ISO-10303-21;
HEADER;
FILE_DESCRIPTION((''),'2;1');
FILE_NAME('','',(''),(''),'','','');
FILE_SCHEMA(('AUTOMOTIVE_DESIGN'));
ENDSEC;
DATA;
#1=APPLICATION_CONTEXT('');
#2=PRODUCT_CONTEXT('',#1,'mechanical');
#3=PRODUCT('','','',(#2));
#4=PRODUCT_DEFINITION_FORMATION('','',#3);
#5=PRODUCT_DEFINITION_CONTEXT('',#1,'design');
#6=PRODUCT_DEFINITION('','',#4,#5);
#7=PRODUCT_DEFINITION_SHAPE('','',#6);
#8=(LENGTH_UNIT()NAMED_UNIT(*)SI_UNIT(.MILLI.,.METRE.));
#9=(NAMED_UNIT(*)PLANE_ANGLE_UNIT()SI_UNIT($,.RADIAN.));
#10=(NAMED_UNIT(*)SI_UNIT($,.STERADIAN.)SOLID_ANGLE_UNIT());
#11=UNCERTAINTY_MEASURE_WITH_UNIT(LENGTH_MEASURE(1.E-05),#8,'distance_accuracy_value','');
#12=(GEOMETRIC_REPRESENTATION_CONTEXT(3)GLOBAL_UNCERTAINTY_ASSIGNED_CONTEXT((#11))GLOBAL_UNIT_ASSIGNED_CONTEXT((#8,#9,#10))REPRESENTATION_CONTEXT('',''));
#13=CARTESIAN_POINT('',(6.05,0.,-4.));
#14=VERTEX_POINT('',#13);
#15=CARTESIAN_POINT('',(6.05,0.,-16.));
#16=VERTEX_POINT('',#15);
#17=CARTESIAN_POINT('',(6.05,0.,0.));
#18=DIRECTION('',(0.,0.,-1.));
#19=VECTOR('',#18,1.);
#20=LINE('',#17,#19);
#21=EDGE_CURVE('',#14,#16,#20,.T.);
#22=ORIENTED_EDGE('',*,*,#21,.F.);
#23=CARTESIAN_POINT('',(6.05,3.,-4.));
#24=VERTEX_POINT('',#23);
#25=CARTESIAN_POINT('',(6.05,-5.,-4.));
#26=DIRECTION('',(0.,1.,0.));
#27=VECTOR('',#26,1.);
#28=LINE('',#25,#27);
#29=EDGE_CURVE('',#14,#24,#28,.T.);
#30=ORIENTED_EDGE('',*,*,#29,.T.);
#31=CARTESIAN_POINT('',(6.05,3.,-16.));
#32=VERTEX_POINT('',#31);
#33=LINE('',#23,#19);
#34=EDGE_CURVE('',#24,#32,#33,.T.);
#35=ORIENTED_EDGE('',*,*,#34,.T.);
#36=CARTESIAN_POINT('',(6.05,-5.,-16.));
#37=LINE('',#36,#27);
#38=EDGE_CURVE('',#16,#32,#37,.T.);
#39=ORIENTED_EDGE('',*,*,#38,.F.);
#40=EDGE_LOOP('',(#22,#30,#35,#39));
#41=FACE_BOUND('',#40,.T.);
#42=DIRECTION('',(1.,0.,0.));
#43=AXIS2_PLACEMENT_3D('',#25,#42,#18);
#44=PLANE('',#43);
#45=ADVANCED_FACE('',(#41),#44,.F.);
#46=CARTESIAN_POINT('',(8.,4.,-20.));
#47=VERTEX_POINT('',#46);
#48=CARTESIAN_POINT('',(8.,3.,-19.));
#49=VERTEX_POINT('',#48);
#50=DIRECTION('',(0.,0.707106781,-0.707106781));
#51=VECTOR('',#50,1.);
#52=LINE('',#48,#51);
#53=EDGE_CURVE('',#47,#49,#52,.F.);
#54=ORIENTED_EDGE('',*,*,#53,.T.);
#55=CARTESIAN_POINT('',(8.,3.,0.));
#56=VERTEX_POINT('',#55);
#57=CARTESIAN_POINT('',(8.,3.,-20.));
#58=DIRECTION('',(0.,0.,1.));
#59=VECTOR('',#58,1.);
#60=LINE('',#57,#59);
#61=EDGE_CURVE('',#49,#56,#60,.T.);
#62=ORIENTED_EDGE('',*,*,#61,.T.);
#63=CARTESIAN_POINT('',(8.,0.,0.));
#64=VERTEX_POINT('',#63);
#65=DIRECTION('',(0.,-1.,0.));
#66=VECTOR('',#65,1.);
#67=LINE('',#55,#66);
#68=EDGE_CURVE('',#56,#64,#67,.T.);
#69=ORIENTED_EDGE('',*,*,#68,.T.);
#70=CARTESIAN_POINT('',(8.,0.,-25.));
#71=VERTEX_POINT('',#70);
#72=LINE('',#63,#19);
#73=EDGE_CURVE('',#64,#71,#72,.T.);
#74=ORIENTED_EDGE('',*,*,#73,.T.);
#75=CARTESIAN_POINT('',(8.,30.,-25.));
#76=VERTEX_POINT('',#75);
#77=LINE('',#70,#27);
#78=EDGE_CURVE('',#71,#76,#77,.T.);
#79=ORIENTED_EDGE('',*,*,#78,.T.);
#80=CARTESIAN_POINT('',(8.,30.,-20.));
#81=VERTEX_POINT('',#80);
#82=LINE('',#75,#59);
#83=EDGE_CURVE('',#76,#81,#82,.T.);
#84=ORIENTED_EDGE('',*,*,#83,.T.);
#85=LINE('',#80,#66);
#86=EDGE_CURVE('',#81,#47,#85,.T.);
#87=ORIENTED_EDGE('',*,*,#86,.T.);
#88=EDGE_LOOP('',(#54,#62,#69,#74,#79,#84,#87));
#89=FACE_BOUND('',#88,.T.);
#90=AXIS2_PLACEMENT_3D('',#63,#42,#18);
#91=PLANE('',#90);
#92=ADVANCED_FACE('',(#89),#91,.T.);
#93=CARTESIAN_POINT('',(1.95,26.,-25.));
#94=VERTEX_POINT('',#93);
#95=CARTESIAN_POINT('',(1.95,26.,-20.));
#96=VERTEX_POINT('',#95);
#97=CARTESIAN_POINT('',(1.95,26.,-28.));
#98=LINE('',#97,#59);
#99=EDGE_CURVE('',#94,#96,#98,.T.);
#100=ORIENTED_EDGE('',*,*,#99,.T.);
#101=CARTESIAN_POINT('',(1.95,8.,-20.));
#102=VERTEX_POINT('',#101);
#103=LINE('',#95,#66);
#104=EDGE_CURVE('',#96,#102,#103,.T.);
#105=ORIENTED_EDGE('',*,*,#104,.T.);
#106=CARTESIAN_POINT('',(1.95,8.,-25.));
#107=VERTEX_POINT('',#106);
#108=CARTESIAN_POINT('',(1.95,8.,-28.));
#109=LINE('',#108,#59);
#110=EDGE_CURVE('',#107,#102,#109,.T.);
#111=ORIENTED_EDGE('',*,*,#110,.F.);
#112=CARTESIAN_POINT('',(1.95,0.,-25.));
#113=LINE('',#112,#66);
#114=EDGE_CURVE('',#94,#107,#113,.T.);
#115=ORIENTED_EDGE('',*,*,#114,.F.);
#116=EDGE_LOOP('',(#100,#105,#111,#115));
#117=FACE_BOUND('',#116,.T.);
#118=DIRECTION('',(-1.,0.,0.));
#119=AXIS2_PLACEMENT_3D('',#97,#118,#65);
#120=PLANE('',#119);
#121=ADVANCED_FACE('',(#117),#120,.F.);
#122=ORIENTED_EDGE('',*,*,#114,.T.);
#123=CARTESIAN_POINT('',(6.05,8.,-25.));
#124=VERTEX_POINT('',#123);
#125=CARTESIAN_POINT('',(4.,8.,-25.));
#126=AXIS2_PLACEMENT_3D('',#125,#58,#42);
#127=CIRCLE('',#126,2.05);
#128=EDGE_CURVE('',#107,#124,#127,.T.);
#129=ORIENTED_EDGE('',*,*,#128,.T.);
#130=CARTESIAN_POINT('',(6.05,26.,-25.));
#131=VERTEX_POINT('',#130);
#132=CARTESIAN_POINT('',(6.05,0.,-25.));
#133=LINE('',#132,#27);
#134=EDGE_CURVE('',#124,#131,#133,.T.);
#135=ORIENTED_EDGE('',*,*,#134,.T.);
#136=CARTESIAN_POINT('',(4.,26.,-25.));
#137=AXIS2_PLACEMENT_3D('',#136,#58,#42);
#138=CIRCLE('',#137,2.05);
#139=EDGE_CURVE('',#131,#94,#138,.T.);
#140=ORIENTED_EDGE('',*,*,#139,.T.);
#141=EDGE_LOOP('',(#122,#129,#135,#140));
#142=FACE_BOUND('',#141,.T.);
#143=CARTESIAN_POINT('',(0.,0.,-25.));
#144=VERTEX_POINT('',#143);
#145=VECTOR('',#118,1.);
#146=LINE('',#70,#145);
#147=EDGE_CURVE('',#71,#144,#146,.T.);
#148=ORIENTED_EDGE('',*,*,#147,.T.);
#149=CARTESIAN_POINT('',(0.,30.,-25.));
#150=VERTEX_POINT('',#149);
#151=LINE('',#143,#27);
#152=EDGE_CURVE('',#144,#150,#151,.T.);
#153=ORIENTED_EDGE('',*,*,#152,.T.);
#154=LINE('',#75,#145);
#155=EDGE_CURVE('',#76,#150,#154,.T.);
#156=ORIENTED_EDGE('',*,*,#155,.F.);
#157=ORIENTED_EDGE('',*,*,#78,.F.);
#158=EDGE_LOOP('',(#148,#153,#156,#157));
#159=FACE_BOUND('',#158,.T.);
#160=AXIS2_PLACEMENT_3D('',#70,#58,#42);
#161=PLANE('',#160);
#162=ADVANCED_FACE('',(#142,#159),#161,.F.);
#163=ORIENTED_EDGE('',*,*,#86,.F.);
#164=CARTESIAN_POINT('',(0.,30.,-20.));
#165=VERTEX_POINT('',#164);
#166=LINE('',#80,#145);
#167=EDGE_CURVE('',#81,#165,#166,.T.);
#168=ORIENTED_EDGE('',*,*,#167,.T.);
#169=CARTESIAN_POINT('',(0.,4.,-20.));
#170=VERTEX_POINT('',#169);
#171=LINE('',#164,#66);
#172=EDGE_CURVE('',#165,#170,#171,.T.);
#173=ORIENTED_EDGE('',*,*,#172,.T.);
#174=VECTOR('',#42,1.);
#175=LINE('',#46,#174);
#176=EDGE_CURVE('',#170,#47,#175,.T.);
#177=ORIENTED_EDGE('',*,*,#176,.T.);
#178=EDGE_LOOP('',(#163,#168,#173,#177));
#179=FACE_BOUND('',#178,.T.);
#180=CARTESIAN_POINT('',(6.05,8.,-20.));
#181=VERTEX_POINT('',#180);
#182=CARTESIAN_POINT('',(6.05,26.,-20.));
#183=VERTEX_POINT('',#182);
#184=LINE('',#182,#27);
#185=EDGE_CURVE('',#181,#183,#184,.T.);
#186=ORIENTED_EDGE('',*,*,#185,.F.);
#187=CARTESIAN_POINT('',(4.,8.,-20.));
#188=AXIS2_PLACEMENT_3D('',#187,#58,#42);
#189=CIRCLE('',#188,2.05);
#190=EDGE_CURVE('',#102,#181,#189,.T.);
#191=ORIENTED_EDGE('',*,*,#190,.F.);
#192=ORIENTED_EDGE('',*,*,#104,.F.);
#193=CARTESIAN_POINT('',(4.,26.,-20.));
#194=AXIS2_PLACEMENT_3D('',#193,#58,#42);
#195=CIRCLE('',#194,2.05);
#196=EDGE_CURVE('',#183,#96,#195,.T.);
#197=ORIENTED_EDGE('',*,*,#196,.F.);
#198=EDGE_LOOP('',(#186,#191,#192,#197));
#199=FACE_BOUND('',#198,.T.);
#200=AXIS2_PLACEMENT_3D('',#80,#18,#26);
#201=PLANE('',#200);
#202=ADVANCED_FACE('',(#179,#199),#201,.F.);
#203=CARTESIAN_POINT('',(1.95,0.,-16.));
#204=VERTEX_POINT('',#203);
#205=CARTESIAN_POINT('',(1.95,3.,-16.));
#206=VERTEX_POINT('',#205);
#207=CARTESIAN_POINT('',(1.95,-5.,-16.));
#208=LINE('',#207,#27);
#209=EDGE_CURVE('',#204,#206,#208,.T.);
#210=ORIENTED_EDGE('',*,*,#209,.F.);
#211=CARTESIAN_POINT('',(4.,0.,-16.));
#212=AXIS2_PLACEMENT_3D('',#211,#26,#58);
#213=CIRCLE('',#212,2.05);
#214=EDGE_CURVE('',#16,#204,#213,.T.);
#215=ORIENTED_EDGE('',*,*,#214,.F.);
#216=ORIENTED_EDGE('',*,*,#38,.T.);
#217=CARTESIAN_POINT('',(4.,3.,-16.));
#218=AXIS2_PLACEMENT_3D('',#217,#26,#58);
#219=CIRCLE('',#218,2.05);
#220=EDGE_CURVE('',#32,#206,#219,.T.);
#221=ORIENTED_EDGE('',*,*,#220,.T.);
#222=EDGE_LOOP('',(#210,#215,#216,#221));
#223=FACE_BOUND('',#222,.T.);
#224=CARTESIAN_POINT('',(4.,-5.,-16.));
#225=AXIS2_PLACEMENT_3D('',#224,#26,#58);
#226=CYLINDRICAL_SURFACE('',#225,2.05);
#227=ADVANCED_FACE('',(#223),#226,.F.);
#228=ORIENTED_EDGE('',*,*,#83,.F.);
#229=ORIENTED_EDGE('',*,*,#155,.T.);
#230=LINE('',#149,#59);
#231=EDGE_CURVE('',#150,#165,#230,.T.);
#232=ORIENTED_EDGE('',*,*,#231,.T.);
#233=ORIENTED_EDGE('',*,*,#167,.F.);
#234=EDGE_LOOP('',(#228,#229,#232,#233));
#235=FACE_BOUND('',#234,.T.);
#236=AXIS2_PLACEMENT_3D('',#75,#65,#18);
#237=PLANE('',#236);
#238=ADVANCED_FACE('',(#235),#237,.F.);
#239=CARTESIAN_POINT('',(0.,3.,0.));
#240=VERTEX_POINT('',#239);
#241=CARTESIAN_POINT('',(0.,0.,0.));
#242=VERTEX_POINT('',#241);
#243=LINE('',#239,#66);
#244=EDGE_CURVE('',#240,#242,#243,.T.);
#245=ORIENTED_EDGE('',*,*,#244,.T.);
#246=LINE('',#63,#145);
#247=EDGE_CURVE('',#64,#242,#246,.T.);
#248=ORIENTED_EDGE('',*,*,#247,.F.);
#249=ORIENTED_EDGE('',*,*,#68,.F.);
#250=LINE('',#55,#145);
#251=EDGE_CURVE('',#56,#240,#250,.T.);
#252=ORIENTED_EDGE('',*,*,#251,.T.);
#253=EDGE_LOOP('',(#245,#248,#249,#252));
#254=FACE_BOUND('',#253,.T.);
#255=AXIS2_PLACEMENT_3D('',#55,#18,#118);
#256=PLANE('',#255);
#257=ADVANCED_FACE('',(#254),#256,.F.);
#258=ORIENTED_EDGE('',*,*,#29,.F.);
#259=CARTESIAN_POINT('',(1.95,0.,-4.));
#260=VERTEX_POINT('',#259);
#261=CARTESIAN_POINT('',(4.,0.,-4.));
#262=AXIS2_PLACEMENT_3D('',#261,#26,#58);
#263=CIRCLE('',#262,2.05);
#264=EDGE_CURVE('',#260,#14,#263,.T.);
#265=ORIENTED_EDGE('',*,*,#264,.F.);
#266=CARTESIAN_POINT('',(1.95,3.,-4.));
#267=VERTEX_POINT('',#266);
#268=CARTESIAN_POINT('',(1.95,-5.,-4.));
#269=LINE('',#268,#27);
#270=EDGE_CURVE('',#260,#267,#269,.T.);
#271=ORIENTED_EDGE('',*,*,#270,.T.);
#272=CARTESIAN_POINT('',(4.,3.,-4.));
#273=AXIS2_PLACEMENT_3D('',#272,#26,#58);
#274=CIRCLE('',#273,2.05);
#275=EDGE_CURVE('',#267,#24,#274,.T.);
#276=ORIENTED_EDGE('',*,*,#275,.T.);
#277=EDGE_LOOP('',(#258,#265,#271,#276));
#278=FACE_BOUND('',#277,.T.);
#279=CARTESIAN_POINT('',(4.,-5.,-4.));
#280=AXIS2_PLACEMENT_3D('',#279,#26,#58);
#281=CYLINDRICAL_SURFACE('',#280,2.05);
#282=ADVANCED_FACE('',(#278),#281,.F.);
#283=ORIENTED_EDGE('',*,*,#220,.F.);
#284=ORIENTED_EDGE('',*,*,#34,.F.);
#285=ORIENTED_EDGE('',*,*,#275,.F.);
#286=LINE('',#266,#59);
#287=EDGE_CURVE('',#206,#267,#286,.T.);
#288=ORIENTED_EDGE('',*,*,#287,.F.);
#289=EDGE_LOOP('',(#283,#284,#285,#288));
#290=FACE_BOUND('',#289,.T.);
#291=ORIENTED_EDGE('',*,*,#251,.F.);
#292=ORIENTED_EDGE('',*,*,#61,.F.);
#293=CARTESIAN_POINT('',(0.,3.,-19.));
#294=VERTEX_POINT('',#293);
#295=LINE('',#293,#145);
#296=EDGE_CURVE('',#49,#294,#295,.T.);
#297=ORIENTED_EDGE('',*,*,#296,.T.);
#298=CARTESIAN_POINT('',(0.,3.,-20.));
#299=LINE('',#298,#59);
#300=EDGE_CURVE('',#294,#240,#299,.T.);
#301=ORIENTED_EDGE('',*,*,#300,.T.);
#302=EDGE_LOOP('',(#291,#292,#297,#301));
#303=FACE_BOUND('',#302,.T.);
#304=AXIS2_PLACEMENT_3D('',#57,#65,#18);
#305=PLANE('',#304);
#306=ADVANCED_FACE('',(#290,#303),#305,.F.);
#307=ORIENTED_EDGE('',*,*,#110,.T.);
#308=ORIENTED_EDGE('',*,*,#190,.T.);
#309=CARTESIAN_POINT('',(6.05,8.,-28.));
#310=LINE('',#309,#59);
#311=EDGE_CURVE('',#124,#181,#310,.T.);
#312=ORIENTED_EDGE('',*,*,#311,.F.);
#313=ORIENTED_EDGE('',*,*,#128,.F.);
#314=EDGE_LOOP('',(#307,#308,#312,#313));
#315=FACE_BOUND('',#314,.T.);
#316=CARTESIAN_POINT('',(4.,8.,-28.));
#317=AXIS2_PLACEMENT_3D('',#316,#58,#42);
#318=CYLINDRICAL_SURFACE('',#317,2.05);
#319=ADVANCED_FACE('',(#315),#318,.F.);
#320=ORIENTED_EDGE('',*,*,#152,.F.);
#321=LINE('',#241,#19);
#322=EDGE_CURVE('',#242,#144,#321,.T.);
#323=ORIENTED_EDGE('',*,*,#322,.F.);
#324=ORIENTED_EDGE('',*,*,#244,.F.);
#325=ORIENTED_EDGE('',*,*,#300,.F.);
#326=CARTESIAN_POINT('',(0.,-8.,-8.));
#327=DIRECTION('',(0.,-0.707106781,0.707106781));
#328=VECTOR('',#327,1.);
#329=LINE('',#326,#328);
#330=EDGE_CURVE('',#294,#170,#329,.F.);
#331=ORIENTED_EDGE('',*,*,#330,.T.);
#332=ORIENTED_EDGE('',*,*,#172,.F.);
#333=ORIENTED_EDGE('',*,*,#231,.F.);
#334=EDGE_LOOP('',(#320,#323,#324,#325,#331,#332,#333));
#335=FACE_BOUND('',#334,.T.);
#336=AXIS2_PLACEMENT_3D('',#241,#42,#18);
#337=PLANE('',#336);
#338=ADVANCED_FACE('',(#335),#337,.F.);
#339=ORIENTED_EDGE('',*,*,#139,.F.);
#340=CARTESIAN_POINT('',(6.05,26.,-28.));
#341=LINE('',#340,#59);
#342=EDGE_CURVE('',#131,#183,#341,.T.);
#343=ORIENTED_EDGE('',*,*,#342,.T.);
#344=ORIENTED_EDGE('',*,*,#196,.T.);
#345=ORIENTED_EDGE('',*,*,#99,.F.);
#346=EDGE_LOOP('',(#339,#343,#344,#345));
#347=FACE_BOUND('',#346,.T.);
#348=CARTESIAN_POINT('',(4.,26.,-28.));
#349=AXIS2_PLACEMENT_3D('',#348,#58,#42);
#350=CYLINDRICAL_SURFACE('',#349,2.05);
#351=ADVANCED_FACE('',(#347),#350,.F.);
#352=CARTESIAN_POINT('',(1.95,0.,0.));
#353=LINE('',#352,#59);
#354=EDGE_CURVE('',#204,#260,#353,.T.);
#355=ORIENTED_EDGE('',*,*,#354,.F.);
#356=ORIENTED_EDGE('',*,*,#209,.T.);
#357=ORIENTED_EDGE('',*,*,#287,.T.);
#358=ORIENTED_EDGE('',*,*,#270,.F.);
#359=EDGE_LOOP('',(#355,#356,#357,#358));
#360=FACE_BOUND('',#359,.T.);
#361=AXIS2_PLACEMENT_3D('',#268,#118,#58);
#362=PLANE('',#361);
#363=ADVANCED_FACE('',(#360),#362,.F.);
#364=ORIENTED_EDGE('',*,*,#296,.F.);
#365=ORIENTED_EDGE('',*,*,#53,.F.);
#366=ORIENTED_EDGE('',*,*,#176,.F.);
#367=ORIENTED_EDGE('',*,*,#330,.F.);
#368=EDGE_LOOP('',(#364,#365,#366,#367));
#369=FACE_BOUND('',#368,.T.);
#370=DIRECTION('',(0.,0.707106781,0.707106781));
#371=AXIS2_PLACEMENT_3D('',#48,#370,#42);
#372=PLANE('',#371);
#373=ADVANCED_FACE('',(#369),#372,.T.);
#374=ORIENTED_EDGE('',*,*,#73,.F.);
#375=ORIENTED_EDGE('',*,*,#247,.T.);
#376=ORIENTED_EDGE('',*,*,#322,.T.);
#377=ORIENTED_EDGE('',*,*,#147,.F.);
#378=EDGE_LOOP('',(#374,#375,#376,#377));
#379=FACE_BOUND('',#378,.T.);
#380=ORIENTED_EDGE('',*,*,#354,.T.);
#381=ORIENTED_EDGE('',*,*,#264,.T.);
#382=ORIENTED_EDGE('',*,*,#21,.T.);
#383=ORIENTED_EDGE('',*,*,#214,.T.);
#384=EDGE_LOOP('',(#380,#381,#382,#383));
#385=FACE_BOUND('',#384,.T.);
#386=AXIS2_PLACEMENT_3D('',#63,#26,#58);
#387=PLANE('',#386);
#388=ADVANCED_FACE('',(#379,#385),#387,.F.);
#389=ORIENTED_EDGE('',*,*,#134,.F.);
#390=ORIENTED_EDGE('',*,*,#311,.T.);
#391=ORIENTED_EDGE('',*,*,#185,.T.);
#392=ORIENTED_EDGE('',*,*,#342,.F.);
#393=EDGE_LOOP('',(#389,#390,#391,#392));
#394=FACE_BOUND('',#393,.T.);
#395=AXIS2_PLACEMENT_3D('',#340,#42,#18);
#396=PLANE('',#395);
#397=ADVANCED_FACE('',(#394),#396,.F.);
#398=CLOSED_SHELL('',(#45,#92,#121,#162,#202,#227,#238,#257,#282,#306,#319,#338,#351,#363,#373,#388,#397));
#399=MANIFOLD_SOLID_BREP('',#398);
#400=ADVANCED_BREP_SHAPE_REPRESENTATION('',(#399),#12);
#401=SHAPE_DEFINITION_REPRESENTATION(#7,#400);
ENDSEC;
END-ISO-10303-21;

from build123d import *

# Parameters (mm, degrees)
BOSS_EXTRUDE1_DEPTH = 8
CUT_EXTRUDE1_DEPTH  = 8
CUT_EXTRUDE2_DEPTH  = 8
CHAMFER1_SIZE       = 1


with BuildPart() as part:
    # Sketch1 → Boss-Extrude1 (new body)
    with BuildSketch(Plane(origin=(0, 0, 0), x_dir=(0, 0, -1), z_dir=(1, 0, 0))):
        Polygon((0, 0), (25, 0), (25, 30), (20, 30), (20, 3), (0, 3), align=None)
    extrude(amount=BOSS_EXTRUDE1_DEPTH)

    # Sketch3 → Cut-Extrude1 (cut)
    with BuildSketch(Plane(origin=(0, 3, 0), x_dir=(1, 0, 0), z_dir=(0, 1, 0))):
        with BuildLine():
            Line((1.95, 4), (1.95, 16))
            ThreePointArc((1.95, 16), (4, 18.05), (6.05, 16))
            Line((6.05, 16), (6.05, 4))
            ThreePointArc((6.05, 4), (4, 1.95), (1.95, 4))
        make_face()
    extrude(amount=-CUT_EXTRUDE1_DEPTH, mode=Mode.SUBTRACT)

    # Sketch4 → Cut-Extrude2 (cut)
    with BuildSketch(Plane.XY.offset(-20)):
        with BuildLine():
            Line((6.05, 26), (6.05, 8))
            ThreePointArc((6.05, 8), (4, 5.95), (1.95, 8))
            Line((1.95, 8), (1.95, 26))
            ThreePointArc((1.95, 26), (4, 28.05), (6.05, 26))
        make_face()
    extrude(amount=-CUT_EXTRUDE2_DEPTH, mode=Mode.SUBTRACT)

    # Chamfer1
    chamfer1_edges = [part.edges().sort_by_distance(p)[0] for p in [
        (4, 3, -20),
    ]]
    chamfer(chamfer1_edges, length=CHAMFER1_SIZE)


solid = part.part
